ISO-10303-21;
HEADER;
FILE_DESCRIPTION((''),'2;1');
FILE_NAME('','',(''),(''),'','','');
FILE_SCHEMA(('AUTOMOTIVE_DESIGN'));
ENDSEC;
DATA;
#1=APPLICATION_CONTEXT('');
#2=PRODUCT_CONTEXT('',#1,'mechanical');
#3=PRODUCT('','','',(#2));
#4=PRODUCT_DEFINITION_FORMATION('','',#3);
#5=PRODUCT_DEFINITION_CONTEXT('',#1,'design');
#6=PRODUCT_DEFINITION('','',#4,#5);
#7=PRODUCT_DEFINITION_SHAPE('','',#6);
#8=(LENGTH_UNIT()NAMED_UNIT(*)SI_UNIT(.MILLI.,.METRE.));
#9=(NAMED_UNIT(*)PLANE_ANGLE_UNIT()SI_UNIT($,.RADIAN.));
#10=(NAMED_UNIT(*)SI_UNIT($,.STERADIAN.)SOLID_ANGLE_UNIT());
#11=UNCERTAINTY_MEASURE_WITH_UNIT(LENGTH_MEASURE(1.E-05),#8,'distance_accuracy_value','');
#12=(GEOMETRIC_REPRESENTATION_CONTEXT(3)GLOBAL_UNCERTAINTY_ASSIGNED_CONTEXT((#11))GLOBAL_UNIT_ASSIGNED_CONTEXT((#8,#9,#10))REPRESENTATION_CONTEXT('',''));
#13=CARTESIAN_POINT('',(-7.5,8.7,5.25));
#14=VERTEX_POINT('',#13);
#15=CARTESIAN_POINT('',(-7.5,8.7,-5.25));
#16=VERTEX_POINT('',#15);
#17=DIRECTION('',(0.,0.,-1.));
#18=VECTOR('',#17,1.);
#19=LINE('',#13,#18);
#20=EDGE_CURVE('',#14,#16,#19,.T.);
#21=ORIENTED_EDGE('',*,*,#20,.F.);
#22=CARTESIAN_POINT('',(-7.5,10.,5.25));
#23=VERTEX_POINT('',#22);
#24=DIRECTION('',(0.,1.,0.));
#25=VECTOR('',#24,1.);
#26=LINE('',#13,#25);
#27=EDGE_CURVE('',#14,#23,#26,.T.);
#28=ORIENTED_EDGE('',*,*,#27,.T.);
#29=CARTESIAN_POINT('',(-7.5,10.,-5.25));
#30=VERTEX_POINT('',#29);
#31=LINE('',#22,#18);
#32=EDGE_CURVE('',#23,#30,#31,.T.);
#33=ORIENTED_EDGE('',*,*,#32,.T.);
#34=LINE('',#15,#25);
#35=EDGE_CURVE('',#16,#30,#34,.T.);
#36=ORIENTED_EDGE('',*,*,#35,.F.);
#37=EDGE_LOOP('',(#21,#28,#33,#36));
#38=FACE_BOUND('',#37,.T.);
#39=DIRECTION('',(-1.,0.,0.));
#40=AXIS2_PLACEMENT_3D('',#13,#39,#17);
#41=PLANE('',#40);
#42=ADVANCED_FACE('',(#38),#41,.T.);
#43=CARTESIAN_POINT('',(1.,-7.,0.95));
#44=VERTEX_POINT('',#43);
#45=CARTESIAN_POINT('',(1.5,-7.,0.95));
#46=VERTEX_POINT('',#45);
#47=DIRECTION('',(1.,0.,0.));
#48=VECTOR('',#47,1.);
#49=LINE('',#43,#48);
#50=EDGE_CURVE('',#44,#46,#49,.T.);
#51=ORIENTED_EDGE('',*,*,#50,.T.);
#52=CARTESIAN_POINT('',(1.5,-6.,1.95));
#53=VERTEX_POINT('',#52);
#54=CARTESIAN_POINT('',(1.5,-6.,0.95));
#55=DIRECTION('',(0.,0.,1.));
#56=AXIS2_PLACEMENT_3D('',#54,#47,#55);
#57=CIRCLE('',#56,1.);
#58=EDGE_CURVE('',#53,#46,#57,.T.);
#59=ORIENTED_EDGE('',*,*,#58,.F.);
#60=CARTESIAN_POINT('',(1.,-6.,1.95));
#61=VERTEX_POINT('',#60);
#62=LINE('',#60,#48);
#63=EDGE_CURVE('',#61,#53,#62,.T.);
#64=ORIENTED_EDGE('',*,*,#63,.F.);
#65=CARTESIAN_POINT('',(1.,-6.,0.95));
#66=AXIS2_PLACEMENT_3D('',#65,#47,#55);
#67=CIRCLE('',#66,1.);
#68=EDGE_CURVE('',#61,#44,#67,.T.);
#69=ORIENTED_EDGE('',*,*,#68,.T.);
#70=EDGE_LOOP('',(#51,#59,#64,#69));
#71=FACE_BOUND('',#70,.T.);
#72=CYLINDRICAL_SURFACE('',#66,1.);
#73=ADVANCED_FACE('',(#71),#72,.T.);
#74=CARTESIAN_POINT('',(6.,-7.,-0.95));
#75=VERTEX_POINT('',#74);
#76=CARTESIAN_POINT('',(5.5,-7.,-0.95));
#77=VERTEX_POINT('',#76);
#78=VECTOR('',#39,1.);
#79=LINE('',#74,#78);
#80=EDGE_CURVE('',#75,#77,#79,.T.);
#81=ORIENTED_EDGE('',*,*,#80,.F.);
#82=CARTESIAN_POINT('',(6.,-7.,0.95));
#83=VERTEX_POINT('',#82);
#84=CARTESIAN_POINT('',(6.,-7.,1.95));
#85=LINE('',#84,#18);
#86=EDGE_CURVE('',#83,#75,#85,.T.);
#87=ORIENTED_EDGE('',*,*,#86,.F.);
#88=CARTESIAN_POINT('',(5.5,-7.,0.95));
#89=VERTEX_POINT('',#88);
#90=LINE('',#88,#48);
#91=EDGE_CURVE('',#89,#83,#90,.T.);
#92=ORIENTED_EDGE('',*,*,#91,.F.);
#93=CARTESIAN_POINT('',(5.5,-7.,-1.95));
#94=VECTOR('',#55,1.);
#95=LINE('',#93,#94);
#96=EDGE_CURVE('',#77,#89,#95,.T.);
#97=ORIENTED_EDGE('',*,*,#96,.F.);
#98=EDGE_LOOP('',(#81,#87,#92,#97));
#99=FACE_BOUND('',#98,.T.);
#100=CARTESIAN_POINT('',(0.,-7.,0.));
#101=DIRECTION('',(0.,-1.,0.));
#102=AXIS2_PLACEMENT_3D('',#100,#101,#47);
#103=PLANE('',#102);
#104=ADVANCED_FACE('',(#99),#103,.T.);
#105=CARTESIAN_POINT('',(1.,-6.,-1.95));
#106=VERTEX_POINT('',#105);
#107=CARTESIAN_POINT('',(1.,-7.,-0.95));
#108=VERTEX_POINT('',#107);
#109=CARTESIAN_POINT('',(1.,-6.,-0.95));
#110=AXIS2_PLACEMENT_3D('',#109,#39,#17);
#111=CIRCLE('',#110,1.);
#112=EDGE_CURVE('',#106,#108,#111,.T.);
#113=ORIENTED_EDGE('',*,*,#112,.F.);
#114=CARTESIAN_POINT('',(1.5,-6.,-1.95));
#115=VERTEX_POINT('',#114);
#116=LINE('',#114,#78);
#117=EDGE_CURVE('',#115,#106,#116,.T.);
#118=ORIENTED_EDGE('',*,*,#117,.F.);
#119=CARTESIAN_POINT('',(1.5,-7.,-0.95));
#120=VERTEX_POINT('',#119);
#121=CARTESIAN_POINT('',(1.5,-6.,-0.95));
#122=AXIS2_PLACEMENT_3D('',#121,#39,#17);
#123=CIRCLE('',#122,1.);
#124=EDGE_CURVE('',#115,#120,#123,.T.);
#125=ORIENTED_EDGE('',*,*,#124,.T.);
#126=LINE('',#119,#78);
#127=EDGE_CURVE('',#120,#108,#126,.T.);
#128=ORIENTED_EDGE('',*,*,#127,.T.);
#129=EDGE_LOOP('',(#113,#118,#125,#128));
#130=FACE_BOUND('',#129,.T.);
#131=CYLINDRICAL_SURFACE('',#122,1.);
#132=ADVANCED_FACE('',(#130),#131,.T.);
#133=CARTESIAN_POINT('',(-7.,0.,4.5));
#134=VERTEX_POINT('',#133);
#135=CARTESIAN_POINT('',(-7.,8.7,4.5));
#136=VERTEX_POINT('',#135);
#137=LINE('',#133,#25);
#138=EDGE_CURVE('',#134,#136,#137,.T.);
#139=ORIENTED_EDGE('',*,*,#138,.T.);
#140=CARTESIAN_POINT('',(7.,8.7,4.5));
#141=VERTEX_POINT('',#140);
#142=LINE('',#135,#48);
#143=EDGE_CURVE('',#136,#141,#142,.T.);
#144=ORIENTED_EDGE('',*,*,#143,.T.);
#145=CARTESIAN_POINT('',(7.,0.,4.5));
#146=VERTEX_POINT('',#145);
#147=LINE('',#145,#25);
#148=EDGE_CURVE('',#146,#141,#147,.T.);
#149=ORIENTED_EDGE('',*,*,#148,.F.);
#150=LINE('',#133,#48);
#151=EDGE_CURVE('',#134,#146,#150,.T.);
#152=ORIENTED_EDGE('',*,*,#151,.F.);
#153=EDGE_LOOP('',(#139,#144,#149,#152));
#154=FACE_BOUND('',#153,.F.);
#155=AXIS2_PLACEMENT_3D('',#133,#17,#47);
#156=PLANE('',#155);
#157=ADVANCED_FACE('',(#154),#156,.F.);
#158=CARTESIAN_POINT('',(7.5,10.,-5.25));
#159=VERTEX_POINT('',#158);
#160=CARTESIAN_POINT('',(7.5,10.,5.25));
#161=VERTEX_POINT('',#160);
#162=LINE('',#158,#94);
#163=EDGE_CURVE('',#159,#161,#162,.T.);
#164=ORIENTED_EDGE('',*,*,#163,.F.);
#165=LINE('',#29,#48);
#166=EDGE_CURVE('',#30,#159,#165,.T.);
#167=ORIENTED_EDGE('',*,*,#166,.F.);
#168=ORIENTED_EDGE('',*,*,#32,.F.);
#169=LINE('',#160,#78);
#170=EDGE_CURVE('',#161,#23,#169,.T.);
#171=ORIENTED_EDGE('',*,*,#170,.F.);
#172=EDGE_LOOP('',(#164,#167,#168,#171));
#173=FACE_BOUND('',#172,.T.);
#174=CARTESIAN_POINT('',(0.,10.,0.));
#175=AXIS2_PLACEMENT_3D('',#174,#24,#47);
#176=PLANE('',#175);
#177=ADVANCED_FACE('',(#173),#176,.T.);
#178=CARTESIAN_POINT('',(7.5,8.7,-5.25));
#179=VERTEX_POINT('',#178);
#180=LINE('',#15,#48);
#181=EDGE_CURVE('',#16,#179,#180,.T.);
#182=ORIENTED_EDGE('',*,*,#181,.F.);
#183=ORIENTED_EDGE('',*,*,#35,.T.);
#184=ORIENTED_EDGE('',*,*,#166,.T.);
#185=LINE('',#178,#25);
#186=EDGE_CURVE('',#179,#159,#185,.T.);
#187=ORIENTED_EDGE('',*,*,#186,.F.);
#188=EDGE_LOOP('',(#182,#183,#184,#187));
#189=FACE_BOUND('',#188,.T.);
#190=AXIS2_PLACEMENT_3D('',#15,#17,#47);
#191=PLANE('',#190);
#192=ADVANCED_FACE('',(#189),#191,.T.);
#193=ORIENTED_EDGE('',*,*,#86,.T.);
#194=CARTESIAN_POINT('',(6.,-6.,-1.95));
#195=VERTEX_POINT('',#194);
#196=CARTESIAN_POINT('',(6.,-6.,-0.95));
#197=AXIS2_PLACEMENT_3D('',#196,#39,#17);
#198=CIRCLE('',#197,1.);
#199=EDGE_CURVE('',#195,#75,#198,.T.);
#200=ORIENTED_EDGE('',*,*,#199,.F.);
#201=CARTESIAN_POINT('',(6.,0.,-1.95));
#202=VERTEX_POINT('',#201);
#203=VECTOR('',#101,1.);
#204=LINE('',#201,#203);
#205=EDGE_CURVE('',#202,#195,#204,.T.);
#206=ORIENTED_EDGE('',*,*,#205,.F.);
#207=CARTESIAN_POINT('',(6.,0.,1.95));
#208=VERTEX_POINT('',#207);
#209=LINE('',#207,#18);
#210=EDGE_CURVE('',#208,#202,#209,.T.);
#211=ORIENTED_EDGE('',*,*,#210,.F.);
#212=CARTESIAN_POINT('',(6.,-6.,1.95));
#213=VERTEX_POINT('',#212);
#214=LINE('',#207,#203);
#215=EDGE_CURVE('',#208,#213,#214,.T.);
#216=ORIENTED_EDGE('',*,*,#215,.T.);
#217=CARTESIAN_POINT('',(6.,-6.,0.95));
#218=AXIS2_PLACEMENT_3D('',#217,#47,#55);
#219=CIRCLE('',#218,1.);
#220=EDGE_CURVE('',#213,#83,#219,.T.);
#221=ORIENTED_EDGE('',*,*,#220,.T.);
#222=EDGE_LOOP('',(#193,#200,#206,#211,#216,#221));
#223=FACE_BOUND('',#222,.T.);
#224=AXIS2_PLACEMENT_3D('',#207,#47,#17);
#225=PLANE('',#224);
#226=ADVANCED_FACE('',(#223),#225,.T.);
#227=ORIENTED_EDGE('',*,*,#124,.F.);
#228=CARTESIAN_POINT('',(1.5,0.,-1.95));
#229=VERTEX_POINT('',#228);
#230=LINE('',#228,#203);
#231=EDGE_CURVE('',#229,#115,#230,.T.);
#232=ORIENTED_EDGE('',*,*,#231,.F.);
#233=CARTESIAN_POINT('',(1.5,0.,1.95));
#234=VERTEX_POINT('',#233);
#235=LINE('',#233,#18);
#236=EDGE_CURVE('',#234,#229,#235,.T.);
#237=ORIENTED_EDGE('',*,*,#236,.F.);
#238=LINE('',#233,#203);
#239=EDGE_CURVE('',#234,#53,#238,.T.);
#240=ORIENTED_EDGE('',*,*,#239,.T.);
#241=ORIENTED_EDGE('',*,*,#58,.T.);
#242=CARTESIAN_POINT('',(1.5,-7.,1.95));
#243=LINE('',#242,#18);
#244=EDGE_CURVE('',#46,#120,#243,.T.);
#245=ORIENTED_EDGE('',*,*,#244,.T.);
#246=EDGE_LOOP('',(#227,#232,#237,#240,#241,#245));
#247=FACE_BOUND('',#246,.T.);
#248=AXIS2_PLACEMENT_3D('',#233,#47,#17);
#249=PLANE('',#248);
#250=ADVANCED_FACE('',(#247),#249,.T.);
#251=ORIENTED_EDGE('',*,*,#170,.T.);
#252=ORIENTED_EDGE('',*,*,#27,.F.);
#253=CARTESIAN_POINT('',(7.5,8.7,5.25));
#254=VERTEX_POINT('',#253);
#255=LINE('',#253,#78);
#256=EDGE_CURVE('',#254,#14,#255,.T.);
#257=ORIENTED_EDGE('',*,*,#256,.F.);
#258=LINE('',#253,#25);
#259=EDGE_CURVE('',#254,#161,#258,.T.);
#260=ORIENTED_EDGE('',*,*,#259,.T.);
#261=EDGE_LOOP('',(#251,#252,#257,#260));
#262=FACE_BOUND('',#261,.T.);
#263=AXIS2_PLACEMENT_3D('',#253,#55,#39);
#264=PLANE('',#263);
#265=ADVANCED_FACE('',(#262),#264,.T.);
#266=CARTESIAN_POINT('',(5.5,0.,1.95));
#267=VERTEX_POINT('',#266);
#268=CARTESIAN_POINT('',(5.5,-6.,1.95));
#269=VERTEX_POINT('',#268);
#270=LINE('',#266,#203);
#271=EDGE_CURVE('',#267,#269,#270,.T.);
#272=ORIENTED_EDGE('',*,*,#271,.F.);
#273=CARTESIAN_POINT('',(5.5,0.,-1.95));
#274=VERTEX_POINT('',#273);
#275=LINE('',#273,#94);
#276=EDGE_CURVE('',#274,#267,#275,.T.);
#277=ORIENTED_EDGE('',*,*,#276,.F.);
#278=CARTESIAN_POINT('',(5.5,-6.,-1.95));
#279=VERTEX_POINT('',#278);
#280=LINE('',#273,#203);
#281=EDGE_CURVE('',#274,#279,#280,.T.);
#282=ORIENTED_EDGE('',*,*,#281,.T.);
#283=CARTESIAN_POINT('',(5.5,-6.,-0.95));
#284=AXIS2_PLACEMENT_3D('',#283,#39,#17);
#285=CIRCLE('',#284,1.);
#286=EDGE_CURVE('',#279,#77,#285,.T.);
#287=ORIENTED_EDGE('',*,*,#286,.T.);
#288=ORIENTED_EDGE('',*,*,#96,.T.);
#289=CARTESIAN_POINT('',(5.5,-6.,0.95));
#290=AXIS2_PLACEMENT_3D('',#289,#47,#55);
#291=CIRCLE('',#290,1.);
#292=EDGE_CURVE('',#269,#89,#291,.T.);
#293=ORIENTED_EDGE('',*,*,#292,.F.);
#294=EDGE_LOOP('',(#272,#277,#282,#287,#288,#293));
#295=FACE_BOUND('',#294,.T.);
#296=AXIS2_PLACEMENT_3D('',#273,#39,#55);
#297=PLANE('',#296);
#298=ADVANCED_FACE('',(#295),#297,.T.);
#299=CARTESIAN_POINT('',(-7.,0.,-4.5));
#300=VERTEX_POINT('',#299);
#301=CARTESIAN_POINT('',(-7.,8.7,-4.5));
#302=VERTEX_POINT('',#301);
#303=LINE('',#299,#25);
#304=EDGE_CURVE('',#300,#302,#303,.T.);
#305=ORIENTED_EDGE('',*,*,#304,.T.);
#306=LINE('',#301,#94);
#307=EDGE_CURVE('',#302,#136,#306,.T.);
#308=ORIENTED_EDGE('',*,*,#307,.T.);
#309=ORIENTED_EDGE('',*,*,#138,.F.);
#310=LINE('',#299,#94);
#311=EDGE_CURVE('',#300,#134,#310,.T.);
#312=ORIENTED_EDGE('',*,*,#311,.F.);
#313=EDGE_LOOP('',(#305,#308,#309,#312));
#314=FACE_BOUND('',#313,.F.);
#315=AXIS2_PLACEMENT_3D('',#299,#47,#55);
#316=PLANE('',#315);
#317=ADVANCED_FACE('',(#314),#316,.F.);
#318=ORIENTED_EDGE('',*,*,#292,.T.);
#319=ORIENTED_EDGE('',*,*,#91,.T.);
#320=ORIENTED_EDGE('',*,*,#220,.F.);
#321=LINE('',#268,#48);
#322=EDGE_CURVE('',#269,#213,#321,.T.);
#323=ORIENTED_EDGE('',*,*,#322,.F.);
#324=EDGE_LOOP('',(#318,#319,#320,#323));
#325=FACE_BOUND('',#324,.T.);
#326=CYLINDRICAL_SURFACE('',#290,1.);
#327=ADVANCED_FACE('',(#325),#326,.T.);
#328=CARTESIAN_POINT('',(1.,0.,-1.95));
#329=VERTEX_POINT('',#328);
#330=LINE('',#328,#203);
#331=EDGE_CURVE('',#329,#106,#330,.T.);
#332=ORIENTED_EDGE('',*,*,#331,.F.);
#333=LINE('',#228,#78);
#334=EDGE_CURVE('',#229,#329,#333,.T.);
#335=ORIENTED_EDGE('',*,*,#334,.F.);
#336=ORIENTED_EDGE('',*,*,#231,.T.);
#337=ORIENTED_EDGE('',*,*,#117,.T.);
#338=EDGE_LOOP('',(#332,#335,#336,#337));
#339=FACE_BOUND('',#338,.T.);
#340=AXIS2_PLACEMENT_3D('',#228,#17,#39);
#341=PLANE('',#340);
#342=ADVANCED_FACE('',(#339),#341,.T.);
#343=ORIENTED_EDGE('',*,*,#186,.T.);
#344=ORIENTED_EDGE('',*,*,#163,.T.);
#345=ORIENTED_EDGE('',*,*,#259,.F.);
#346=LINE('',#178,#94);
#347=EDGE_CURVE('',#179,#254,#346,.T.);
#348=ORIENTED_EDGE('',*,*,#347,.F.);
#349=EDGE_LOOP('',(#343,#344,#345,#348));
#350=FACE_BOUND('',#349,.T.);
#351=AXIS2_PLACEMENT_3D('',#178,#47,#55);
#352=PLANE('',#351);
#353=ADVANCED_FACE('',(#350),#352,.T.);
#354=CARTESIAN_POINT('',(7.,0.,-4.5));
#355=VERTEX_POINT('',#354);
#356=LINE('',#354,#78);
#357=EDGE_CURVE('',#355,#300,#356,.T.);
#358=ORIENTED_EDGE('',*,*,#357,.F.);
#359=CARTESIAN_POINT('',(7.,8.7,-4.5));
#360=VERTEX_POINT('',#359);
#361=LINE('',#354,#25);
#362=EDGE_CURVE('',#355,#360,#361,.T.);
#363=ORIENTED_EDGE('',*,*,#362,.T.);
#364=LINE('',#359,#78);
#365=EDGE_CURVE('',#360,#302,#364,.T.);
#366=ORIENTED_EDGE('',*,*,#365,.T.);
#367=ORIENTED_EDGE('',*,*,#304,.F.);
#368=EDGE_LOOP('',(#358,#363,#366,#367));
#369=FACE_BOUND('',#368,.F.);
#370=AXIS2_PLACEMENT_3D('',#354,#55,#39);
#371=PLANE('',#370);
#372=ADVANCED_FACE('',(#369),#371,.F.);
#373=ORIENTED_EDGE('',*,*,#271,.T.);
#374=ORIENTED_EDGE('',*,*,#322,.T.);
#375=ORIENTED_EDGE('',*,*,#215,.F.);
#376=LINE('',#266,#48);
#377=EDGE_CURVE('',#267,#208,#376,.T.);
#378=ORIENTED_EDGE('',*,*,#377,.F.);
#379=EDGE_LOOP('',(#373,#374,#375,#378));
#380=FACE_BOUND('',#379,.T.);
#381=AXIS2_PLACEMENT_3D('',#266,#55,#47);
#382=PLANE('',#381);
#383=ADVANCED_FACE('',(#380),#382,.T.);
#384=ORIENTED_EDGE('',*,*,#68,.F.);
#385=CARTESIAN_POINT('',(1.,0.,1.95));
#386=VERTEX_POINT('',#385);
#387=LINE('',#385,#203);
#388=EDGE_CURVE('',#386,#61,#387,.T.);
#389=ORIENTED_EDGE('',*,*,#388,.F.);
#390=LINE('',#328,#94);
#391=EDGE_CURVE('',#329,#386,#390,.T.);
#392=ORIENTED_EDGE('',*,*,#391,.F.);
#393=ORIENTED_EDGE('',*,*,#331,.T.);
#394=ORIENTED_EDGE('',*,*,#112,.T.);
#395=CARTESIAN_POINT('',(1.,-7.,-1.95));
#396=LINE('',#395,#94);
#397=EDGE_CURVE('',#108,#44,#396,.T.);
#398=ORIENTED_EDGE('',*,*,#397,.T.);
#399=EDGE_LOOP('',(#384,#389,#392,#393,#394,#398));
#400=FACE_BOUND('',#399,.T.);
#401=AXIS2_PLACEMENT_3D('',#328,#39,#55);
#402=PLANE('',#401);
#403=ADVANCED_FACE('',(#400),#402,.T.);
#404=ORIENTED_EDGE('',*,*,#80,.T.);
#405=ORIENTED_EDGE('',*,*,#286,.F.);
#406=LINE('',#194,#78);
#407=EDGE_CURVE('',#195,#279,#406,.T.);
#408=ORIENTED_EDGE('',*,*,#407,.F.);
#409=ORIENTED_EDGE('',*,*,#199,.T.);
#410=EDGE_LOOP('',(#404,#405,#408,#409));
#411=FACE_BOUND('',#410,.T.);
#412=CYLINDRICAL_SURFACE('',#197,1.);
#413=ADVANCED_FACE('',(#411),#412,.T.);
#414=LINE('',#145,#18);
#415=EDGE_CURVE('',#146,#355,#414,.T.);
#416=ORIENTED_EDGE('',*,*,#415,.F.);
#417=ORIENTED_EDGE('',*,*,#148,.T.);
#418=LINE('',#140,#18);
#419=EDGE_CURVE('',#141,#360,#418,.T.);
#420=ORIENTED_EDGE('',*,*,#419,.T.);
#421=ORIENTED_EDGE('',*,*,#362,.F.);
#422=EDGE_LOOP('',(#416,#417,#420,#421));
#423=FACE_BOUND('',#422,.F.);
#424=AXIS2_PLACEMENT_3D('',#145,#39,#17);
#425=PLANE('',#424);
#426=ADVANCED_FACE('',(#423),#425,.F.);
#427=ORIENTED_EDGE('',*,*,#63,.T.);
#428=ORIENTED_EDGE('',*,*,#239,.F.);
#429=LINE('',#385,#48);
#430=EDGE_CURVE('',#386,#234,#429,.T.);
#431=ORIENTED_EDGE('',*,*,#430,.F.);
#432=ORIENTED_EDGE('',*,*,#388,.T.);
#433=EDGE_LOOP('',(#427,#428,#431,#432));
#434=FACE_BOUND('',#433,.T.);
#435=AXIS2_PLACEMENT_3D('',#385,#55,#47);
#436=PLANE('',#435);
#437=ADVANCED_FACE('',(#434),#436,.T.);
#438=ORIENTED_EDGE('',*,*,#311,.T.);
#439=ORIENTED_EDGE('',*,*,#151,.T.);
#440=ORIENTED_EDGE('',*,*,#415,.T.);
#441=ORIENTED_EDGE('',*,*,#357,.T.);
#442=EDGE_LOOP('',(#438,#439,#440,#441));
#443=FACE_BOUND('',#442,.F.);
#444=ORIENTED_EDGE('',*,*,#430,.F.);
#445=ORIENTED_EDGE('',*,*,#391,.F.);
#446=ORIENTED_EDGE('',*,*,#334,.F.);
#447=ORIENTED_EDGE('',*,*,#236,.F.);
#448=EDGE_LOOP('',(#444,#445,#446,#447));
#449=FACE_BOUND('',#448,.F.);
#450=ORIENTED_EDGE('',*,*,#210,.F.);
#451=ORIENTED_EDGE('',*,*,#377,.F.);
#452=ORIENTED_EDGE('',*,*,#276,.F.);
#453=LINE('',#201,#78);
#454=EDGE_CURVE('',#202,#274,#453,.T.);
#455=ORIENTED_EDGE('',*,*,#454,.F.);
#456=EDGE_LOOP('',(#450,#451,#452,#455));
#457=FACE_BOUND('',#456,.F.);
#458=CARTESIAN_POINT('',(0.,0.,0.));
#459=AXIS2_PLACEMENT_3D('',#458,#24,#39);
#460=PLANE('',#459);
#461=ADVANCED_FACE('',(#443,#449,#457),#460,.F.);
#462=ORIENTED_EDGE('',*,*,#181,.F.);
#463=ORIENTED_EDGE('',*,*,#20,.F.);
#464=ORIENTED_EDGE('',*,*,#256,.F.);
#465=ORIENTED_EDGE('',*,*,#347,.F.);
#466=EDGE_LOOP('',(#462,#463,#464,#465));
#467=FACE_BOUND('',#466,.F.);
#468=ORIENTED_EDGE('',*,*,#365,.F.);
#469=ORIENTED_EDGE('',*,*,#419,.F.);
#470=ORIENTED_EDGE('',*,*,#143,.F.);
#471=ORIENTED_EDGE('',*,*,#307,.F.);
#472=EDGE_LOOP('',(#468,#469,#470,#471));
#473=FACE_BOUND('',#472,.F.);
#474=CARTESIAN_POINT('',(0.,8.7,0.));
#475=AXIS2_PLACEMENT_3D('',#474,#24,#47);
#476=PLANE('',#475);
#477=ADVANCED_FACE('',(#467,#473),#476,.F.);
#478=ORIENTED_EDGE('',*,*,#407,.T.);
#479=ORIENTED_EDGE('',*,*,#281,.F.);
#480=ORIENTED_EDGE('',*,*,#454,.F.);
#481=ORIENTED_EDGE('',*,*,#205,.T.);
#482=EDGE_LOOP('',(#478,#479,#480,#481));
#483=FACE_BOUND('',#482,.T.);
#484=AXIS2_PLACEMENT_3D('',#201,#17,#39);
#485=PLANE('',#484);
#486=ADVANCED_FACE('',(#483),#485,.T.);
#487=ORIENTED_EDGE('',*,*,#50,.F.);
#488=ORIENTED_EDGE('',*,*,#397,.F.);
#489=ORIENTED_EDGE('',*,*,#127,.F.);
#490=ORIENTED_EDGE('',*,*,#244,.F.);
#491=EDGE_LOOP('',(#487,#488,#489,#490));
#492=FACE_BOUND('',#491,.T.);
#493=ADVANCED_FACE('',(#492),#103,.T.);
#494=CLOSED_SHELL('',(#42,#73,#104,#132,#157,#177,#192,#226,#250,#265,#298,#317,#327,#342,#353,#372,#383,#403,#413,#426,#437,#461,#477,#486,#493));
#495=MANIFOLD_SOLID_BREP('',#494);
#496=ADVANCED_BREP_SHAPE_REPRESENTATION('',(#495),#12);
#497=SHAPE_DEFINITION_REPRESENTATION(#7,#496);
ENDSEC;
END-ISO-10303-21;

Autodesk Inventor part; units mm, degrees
ref_plane "YZ Plane" through (0, 0, 0) normal (1, 0, 0) x (0, 1, 0)
ref_plane "XZ Plane" through (0, 0, 0) normal (0, 1, 0) x (-1, 0, 0)
ref_plane "XY Plane" through (0, 0, 0) normal (0, 0, 1) x (1, 0, 0)
sketch "スケッチ1" plane through (0, 0, 0) normal (0, 1, 0) x (-1, 0, 0)
  line L0 (7, 4.5) -> (-7, 4.5)
  line L1 (-7, 4.5) -> (-7, -4.5)
  line L2 (-7, -4.5) -> (7, -4.5)
  line L3 (7, -4.5) -> (7, 4.5)
  line L4 (7, 4.5) -> (-7, -4.5) construction
  line L5 (-7, 4.5) -> (7, -4.5) construction
  point P0 (0, 0)
  dimension "d0" = 14
  dimension "d1" = 9
extrude "押し出し1" add sketch "スケッチ1" along normal blind 8.7
sketch "スケッチ2" plane through (0, 8.7, 0) normal (0, 1, 0) x (1, 0, 0)
  line L0 (7.5, -5.25) -> (-7.5, -5.25)
  line L1 (-7.5, -5.25) -> (-7.5, 5.25)
  line L2 (-7.5, 5.25) -> (7.5, 5.25)
  line L3 (7.5, 5.25) -> (7.5, -5.25)
  line L4 (7.5, -5.25) -> (-7.5, 5.25) construction
  line L5 (-7.5, -5.25) -> (7.5, 5.25) construction
  point P0 (0, 0)
  dimension "d4" = 10.5
  dimension "d5" = 15
extrude "押し出し2" add sketch "スケッチ2" along normal blind 1.3
sketch "スケッチ3" plane through (0, 0, 0) normal (0, -1, 0) x (1, 0, 0)
  line L0 (5.5, 1.95) -> (6, 1.95)
  line L1 (6, 1.95) -> (6, -1.95)
  line L2 (6, -1.95) -> (5.5, -1.95)
  line L3 (5.5, -1.95) -> (5.5, 1.95)
  line L4 (1, 1.95) -> (1.5, 1.95)
  line L5 (1.5, 1.95) -> (1.5, -1.95)
  line L6 (1.5, -1.95) -> (1, -1.95)
  line L7 (1, -1.95) -> (1, 1.95)
  line L8 (7, 4.5) -> (7, -4.5) projected
  point P0 (0, 0)
  point P1 (1, 0)
  point P2 (6, 0)
  point P3 (7, 0)
  dimension "d10" = 4
  dimension "d11" = 0.5
  dimension "d12" = 3.9
  dimension "d13" = 1
extrude "押し出し3" add sketch "スケッチ3" along normal blind 7
fillet "フィレット1" radius 1 4 edges at (5.75, -7, -1.95) (5.75, -7, 1.95) (1.25, -7, -1.95) (1.25, -7, 1.95)
properties part number "switch"
